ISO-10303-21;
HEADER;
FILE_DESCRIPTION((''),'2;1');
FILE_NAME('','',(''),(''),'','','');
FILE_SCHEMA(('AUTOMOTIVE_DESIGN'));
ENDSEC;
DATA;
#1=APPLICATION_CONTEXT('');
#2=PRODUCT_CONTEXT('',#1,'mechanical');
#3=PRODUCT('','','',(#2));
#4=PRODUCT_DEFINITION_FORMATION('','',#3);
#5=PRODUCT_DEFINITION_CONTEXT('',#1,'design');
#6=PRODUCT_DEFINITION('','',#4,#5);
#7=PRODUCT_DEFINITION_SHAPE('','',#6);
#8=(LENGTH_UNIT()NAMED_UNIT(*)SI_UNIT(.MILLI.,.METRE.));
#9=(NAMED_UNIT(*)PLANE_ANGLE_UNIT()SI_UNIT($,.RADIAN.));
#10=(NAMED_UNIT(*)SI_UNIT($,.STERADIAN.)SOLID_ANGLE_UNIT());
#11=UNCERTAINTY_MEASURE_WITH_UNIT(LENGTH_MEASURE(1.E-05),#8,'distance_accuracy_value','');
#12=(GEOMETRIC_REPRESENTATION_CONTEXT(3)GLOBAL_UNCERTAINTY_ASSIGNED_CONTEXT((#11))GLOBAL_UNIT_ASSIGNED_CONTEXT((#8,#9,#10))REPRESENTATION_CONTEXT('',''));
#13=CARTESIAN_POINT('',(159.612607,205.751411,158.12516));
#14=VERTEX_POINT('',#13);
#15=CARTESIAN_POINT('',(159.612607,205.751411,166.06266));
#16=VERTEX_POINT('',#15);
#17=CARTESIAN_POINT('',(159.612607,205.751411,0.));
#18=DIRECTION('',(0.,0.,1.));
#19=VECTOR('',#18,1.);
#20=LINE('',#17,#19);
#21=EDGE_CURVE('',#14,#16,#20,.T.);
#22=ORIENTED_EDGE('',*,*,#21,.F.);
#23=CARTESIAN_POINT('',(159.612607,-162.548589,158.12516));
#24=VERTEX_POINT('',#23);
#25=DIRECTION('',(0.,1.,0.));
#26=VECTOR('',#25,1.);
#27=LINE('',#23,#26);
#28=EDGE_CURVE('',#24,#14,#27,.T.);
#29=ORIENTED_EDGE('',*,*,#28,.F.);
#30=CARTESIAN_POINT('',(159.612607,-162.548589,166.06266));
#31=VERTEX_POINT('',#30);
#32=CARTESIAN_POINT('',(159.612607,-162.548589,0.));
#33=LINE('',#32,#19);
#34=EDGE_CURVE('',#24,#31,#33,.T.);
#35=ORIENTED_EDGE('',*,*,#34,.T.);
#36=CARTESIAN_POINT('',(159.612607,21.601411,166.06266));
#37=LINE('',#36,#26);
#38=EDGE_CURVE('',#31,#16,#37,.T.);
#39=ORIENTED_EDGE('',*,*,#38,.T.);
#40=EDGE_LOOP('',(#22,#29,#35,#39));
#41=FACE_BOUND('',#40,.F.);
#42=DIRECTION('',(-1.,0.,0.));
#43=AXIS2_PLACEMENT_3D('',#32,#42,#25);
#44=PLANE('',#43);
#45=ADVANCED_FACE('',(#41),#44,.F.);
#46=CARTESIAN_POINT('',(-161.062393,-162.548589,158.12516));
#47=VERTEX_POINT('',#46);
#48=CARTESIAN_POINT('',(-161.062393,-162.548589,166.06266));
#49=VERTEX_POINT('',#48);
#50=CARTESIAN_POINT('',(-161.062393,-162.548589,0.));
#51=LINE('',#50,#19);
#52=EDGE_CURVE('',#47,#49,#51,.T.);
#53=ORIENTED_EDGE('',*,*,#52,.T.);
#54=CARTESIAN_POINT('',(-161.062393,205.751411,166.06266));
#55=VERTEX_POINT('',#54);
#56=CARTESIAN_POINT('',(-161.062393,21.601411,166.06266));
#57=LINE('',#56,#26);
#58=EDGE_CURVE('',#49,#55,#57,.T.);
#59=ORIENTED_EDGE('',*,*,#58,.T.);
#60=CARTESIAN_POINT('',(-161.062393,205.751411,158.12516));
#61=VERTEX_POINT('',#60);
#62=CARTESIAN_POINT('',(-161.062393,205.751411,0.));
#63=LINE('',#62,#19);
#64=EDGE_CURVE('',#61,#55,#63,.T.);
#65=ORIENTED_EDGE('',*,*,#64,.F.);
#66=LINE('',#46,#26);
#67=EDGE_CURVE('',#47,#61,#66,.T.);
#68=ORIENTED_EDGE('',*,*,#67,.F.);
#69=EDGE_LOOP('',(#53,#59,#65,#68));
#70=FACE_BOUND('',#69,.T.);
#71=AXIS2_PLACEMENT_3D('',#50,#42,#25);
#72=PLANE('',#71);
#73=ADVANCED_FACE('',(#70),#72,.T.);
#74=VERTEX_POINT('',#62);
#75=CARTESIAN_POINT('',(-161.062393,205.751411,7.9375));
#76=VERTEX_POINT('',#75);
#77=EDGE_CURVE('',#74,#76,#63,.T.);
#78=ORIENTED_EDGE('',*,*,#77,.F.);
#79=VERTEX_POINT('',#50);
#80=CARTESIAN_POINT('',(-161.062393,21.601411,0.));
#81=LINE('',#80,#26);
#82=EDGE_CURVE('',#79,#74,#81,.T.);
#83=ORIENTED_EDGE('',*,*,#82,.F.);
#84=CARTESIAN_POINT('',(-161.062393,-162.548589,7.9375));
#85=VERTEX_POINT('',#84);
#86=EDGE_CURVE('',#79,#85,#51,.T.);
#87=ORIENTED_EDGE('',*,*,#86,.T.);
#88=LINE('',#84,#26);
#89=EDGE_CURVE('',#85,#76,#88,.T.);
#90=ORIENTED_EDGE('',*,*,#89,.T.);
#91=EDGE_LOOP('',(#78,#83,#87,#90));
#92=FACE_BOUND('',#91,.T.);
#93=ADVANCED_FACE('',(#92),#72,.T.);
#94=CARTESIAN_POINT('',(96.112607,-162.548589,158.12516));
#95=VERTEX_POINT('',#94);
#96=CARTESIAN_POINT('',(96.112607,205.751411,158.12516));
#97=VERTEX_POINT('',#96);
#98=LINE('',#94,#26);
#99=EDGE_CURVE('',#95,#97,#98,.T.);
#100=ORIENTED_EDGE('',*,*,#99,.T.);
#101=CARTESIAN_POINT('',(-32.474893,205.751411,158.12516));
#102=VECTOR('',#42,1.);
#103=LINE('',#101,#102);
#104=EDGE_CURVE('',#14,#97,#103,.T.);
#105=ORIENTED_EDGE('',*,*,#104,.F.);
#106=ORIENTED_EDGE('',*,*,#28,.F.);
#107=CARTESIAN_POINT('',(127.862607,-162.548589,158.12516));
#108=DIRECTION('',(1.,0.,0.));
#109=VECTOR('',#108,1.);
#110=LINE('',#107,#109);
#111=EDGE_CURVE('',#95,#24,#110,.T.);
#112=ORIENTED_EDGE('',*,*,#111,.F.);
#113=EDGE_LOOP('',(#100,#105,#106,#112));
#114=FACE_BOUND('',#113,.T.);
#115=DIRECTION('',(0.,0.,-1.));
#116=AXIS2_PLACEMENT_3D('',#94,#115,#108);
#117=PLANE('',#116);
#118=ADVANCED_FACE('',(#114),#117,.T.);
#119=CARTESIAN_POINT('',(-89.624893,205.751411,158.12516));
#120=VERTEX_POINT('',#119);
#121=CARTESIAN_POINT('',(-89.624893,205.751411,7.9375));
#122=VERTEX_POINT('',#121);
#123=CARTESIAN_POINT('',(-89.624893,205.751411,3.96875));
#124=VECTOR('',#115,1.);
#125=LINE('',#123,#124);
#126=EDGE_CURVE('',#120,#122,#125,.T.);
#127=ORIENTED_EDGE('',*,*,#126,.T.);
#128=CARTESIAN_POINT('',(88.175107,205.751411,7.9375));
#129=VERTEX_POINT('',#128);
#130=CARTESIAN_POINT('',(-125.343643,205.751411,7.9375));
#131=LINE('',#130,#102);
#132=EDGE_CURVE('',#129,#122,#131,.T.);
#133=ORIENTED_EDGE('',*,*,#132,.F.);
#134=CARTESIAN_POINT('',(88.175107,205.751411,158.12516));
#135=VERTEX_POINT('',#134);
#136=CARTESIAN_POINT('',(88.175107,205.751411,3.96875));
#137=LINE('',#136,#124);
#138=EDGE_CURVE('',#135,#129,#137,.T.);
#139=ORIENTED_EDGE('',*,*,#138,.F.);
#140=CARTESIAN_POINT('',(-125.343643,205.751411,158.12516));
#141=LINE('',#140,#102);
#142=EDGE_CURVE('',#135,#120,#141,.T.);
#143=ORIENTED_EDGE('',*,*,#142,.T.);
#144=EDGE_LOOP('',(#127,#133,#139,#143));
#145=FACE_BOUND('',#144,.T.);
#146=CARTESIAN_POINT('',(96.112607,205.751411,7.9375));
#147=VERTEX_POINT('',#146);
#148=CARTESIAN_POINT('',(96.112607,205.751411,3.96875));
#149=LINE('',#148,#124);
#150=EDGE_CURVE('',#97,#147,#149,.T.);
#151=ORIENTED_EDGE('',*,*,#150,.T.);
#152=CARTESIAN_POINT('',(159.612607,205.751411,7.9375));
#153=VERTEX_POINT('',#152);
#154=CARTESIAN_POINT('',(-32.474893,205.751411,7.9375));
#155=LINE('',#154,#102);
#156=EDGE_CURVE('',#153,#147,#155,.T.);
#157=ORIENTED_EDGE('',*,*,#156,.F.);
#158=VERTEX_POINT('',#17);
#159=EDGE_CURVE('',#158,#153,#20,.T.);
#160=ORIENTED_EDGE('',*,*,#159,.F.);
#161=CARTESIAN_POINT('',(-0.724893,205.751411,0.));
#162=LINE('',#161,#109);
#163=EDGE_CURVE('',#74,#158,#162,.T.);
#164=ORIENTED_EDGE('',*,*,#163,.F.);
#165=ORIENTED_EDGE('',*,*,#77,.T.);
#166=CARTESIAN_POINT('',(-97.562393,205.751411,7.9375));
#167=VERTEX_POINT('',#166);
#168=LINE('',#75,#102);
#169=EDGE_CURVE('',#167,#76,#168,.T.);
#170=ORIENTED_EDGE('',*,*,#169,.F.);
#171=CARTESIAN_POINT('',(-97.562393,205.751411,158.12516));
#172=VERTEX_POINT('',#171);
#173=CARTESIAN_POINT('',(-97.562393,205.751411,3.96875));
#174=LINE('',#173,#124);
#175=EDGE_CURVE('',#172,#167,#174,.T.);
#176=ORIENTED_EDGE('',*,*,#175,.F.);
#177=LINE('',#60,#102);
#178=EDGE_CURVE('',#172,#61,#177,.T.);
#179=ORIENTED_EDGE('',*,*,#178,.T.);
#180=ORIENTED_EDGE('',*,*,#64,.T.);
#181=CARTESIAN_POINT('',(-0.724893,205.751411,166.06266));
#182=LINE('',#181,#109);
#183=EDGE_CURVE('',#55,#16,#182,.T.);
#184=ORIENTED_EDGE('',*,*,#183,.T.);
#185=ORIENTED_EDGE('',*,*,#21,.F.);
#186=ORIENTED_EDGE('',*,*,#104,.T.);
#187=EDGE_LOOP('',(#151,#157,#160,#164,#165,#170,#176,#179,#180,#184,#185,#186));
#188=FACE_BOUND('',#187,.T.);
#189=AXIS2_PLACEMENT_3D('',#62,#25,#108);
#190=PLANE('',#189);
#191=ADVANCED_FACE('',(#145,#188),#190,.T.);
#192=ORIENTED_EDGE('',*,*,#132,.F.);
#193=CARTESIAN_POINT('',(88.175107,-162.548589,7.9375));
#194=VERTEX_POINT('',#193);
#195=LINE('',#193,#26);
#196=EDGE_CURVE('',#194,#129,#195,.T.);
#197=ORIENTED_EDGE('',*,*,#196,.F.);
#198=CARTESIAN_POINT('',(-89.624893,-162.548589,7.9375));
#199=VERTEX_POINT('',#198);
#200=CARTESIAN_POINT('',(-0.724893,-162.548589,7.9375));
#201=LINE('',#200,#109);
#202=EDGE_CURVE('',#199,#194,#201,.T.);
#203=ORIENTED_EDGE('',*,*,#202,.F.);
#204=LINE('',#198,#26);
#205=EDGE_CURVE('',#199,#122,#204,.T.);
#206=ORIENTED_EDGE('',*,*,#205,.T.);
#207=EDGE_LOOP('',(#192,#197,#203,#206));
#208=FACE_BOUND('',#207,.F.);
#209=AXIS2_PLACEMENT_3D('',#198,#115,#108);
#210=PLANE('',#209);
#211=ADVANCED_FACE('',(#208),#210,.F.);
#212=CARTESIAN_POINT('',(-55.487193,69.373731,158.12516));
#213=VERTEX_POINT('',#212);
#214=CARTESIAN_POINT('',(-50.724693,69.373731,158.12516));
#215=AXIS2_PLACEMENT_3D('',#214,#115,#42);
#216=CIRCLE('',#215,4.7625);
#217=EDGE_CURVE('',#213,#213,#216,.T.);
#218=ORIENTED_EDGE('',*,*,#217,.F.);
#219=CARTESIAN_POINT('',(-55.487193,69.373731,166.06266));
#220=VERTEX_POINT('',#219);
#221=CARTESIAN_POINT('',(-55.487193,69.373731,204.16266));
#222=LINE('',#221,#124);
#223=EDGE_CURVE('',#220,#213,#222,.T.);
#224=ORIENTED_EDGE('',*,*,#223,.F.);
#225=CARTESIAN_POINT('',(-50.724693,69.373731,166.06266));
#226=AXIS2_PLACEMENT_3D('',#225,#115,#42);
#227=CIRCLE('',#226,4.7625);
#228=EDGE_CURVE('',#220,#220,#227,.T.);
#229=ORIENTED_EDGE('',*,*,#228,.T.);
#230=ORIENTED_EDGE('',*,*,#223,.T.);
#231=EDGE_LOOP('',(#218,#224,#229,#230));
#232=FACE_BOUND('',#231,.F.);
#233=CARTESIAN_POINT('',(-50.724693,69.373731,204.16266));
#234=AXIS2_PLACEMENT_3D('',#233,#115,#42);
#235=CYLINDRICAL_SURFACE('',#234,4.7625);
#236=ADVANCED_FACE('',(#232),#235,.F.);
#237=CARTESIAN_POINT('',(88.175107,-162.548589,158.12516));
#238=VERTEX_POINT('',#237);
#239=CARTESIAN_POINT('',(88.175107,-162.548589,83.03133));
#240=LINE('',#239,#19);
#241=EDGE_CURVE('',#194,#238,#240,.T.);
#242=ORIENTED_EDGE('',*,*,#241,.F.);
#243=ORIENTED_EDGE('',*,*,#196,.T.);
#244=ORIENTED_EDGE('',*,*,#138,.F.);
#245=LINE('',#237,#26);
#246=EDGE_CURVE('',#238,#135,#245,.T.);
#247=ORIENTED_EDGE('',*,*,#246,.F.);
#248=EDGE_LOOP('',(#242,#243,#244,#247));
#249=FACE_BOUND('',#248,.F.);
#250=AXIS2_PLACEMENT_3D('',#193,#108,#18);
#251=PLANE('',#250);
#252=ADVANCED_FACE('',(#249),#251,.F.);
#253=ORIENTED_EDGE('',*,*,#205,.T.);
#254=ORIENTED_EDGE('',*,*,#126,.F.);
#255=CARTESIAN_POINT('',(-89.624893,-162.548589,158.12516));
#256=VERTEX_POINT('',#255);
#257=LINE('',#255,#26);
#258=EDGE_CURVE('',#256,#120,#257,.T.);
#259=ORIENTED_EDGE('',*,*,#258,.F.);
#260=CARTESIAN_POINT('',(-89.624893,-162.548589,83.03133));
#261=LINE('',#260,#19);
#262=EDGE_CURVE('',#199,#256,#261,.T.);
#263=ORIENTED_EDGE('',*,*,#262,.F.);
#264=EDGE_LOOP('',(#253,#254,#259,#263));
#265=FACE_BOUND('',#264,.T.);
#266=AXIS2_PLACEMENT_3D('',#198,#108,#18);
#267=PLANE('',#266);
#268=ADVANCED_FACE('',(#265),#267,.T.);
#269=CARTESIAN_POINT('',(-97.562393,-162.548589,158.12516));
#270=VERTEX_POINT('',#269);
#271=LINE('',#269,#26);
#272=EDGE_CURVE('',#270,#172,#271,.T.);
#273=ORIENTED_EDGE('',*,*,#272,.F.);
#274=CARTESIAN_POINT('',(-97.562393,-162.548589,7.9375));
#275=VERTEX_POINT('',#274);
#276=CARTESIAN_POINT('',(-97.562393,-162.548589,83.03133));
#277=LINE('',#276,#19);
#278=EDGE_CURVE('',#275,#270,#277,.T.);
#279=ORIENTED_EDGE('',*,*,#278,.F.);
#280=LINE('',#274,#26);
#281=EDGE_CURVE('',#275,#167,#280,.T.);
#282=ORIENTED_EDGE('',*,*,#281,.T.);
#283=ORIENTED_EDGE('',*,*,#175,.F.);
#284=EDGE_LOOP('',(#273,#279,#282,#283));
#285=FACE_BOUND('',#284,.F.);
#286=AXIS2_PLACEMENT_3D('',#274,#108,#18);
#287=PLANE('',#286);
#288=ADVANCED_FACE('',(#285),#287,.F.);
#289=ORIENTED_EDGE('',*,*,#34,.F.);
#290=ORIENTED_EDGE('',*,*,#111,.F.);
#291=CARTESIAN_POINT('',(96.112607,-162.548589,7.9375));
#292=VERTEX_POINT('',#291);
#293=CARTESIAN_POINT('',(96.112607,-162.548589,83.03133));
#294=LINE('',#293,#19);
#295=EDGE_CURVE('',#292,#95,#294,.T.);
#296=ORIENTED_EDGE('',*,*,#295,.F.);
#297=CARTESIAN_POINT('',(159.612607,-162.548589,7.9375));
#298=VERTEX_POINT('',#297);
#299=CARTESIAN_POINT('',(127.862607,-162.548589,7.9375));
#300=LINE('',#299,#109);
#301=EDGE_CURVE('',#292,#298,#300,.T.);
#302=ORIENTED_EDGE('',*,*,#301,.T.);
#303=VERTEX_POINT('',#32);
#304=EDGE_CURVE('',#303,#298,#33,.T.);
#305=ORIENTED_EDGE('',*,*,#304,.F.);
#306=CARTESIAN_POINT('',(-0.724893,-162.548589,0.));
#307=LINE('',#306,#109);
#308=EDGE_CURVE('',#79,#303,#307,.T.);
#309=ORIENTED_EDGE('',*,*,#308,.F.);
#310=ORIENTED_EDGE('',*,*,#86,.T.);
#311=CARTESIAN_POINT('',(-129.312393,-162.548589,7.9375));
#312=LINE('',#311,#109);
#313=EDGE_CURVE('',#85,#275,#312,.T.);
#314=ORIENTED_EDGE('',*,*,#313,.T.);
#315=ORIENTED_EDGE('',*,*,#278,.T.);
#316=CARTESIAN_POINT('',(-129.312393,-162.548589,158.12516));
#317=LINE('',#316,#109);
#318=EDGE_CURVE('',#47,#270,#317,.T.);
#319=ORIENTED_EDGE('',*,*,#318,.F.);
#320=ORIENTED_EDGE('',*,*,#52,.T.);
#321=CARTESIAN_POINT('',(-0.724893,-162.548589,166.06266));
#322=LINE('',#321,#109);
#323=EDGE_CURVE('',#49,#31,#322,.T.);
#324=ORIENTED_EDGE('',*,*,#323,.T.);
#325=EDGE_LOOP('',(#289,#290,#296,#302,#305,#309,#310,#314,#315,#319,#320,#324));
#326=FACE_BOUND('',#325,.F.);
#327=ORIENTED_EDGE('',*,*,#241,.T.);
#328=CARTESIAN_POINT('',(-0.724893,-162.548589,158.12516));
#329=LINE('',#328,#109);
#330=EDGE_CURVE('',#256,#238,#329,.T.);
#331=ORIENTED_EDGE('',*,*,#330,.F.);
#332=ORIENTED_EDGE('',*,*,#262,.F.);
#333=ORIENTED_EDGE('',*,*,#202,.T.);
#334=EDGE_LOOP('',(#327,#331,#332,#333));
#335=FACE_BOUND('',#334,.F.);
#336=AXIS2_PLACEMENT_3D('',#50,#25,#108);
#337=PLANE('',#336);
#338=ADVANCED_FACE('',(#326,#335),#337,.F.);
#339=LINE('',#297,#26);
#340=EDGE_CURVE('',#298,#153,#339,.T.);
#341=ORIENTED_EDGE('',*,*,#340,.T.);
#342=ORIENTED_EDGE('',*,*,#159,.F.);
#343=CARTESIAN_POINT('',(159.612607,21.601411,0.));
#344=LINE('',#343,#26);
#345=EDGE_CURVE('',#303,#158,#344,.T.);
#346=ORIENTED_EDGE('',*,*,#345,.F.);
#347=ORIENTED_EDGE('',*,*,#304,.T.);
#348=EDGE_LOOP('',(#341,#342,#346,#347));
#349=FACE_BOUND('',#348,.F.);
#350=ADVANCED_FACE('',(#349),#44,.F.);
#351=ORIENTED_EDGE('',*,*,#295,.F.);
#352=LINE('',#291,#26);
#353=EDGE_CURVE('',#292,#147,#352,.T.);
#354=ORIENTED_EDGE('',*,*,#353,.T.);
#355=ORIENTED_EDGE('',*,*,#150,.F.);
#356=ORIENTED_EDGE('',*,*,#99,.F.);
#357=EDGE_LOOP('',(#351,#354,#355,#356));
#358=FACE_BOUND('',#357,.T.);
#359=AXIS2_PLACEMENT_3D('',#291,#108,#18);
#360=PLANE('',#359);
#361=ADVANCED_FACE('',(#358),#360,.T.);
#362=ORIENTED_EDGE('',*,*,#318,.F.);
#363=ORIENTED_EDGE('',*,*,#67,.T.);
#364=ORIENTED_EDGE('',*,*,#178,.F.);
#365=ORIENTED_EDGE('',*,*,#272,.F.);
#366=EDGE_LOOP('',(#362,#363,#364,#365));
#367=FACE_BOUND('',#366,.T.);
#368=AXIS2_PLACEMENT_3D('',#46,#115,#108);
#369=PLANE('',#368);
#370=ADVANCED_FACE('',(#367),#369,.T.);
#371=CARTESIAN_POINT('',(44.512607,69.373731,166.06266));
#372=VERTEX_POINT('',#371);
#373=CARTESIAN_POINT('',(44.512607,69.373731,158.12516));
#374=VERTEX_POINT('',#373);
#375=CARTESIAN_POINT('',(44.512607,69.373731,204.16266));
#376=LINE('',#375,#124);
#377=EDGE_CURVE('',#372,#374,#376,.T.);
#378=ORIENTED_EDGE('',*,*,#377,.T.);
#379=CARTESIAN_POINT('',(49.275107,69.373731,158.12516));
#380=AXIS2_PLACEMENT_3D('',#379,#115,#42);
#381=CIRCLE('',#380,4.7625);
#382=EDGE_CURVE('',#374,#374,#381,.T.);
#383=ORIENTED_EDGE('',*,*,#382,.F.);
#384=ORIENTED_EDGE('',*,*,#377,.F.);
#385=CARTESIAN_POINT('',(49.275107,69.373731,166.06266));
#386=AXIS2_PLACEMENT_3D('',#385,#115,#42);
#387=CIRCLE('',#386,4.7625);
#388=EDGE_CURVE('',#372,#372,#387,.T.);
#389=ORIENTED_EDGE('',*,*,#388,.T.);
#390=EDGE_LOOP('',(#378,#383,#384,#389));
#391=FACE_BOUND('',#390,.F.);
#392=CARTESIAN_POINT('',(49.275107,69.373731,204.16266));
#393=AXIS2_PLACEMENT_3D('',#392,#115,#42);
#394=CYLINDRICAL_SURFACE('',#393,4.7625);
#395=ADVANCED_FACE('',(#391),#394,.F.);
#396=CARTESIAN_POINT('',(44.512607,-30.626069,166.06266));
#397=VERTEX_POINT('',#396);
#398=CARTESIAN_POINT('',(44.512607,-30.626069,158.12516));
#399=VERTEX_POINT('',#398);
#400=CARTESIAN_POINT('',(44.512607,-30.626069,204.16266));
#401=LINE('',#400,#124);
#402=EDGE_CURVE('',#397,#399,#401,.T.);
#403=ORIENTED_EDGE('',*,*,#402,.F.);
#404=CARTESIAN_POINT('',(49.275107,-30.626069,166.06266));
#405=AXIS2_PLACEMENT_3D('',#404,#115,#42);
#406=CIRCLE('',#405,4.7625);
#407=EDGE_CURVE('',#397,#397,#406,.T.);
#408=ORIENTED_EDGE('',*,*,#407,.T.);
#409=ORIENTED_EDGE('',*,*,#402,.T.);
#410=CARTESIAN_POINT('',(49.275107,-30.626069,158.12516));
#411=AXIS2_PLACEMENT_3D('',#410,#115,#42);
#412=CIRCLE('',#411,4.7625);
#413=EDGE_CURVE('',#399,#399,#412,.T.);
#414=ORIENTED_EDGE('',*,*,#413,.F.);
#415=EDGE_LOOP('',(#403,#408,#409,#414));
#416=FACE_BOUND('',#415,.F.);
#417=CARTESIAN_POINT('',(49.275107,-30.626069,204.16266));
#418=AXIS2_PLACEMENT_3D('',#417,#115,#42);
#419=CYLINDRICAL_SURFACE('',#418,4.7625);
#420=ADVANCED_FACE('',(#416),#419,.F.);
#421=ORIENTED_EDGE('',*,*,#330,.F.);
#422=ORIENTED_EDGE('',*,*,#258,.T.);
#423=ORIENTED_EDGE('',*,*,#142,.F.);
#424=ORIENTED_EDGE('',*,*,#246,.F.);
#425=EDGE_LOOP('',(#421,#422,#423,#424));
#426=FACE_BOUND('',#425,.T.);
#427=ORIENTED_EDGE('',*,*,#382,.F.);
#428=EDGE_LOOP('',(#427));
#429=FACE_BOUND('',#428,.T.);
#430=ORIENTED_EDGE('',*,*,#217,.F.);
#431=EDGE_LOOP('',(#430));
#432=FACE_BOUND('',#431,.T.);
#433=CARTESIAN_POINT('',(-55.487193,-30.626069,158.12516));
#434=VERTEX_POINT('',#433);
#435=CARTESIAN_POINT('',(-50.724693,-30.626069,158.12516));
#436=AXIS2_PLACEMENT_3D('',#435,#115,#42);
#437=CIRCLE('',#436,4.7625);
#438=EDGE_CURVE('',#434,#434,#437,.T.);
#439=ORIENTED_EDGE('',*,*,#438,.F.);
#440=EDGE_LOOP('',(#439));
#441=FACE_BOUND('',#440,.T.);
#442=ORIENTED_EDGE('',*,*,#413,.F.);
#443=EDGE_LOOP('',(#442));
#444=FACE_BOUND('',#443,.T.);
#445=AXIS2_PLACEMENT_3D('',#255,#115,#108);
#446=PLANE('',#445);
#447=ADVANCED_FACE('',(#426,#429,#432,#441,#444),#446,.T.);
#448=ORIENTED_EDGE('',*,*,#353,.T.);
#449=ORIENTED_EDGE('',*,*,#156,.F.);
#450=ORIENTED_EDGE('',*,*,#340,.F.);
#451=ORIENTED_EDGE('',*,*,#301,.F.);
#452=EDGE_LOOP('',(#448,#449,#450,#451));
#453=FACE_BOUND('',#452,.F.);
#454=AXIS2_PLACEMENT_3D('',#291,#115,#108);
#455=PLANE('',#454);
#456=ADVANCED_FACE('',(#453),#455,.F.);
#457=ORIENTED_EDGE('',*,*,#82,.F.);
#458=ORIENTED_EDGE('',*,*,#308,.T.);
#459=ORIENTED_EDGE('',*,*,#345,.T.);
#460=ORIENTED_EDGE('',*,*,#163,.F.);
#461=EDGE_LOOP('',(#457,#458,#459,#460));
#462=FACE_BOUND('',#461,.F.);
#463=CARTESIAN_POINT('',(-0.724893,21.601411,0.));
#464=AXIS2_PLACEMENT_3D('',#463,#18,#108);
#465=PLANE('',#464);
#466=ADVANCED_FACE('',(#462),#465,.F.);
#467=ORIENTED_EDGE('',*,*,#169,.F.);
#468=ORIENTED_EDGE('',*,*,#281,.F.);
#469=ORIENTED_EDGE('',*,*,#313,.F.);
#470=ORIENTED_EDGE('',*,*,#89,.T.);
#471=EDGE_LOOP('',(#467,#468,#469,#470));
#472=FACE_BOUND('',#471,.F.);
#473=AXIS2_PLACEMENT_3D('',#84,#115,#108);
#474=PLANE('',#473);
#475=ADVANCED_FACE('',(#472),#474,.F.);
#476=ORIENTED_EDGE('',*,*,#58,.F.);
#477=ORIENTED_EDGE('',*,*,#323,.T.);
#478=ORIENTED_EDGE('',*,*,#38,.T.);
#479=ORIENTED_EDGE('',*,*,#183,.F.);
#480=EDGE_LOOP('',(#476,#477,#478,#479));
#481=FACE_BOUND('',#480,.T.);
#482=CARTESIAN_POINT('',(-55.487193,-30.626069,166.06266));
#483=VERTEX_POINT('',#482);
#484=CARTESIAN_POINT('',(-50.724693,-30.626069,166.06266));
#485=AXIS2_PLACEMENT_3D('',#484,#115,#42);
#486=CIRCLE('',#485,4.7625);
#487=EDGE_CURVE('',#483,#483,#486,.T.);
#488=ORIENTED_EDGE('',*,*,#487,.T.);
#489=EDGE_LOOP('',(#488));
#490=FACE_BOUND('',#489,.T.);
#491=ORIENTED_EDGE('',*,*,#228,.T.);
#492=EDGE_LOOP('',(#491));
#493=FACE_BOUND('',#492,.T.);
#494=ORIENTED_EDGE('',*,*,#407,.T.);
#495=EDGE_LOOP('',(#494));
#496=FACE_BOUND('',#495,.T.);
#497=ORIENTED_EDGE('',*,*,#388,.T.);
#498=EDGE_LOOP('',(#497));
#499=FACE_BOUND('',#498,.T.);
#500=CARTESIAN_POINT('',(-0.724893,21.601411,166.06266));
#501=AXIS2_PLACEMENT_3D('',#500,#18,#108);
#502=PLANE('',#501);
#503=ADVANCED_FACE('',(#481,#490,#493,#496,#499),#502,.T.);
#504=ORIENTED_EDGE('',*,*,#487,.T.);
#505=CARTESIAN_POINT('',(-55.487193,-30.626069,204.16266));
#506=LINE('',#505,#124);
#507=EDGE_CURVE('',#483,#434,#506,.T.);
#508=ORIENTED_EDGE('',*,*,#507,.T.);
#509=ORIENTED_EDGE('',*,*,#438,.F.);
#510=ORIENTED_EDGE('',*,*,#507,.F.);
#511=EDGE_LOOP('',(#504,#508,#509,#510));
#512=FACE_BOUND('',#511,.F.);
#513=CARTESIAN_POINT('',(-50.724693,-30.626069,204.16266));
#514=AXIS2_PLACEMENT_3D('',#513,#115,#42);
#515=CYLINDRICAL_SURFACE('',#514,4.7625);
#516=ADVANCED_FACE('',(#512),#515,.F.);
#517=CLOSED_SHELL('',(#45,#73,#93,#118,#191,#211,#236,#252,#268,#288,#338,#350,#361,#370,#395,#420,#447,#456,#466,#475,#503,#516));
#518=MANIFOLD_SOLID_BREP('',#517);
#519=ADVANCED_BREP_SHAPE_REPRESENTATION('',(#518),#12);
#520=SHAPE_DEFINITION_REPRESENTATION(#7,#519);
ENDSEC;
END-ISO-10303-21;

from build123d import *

# Parameters (mm, degrees)
F0_W     = 320.675
F0_H     = 368.3
F1_DEPTH = 166.06266
F3_D     = 9.525
F3_DEPTH = 38.1
F4_W     = 63.5
F4_H     = 150.18766
F4_W_2   = 177.8
F5_DEPTH = 368.301


with BuildPart() as f1:
    # F0 (on Top) → F1 (new body)
    with BuildSketch(Plane.XY):
        with Locations((-0.724893, 21.601411)):
            Rectangle(F0_W, F0_H)
    extrude(amount=F1_DEPTH)

    # F3
    with Locations(Plane.XY.offset(166.06266)):
        with Locations((-50.724693, 69.373731), (49.275107, 69.373731), (49.275107, -30.626069), (-50.724693, -30.626069)):
            Hole(F3_D / 2, depth=F3_DEPTH)

    # F4 (on face) → F5 (cut, through all)
    with BuildSketch(Plane.XZ.offset(162.548589)):
        with Locations((-129.312393, 83.03133)):
            Rectangle(F4_W, F4_H)
        with Locations((127.862607, 83.03133)):
            Rectangle(F4_W, F4_H)
        with Locations((-0.724893, 83.03133)):
            Rectangle(F4_W_2, F4_H)
    extrude(amount=-F5_DEPTH, mode=Mode.SUBTRACT)


solid = f1.part
